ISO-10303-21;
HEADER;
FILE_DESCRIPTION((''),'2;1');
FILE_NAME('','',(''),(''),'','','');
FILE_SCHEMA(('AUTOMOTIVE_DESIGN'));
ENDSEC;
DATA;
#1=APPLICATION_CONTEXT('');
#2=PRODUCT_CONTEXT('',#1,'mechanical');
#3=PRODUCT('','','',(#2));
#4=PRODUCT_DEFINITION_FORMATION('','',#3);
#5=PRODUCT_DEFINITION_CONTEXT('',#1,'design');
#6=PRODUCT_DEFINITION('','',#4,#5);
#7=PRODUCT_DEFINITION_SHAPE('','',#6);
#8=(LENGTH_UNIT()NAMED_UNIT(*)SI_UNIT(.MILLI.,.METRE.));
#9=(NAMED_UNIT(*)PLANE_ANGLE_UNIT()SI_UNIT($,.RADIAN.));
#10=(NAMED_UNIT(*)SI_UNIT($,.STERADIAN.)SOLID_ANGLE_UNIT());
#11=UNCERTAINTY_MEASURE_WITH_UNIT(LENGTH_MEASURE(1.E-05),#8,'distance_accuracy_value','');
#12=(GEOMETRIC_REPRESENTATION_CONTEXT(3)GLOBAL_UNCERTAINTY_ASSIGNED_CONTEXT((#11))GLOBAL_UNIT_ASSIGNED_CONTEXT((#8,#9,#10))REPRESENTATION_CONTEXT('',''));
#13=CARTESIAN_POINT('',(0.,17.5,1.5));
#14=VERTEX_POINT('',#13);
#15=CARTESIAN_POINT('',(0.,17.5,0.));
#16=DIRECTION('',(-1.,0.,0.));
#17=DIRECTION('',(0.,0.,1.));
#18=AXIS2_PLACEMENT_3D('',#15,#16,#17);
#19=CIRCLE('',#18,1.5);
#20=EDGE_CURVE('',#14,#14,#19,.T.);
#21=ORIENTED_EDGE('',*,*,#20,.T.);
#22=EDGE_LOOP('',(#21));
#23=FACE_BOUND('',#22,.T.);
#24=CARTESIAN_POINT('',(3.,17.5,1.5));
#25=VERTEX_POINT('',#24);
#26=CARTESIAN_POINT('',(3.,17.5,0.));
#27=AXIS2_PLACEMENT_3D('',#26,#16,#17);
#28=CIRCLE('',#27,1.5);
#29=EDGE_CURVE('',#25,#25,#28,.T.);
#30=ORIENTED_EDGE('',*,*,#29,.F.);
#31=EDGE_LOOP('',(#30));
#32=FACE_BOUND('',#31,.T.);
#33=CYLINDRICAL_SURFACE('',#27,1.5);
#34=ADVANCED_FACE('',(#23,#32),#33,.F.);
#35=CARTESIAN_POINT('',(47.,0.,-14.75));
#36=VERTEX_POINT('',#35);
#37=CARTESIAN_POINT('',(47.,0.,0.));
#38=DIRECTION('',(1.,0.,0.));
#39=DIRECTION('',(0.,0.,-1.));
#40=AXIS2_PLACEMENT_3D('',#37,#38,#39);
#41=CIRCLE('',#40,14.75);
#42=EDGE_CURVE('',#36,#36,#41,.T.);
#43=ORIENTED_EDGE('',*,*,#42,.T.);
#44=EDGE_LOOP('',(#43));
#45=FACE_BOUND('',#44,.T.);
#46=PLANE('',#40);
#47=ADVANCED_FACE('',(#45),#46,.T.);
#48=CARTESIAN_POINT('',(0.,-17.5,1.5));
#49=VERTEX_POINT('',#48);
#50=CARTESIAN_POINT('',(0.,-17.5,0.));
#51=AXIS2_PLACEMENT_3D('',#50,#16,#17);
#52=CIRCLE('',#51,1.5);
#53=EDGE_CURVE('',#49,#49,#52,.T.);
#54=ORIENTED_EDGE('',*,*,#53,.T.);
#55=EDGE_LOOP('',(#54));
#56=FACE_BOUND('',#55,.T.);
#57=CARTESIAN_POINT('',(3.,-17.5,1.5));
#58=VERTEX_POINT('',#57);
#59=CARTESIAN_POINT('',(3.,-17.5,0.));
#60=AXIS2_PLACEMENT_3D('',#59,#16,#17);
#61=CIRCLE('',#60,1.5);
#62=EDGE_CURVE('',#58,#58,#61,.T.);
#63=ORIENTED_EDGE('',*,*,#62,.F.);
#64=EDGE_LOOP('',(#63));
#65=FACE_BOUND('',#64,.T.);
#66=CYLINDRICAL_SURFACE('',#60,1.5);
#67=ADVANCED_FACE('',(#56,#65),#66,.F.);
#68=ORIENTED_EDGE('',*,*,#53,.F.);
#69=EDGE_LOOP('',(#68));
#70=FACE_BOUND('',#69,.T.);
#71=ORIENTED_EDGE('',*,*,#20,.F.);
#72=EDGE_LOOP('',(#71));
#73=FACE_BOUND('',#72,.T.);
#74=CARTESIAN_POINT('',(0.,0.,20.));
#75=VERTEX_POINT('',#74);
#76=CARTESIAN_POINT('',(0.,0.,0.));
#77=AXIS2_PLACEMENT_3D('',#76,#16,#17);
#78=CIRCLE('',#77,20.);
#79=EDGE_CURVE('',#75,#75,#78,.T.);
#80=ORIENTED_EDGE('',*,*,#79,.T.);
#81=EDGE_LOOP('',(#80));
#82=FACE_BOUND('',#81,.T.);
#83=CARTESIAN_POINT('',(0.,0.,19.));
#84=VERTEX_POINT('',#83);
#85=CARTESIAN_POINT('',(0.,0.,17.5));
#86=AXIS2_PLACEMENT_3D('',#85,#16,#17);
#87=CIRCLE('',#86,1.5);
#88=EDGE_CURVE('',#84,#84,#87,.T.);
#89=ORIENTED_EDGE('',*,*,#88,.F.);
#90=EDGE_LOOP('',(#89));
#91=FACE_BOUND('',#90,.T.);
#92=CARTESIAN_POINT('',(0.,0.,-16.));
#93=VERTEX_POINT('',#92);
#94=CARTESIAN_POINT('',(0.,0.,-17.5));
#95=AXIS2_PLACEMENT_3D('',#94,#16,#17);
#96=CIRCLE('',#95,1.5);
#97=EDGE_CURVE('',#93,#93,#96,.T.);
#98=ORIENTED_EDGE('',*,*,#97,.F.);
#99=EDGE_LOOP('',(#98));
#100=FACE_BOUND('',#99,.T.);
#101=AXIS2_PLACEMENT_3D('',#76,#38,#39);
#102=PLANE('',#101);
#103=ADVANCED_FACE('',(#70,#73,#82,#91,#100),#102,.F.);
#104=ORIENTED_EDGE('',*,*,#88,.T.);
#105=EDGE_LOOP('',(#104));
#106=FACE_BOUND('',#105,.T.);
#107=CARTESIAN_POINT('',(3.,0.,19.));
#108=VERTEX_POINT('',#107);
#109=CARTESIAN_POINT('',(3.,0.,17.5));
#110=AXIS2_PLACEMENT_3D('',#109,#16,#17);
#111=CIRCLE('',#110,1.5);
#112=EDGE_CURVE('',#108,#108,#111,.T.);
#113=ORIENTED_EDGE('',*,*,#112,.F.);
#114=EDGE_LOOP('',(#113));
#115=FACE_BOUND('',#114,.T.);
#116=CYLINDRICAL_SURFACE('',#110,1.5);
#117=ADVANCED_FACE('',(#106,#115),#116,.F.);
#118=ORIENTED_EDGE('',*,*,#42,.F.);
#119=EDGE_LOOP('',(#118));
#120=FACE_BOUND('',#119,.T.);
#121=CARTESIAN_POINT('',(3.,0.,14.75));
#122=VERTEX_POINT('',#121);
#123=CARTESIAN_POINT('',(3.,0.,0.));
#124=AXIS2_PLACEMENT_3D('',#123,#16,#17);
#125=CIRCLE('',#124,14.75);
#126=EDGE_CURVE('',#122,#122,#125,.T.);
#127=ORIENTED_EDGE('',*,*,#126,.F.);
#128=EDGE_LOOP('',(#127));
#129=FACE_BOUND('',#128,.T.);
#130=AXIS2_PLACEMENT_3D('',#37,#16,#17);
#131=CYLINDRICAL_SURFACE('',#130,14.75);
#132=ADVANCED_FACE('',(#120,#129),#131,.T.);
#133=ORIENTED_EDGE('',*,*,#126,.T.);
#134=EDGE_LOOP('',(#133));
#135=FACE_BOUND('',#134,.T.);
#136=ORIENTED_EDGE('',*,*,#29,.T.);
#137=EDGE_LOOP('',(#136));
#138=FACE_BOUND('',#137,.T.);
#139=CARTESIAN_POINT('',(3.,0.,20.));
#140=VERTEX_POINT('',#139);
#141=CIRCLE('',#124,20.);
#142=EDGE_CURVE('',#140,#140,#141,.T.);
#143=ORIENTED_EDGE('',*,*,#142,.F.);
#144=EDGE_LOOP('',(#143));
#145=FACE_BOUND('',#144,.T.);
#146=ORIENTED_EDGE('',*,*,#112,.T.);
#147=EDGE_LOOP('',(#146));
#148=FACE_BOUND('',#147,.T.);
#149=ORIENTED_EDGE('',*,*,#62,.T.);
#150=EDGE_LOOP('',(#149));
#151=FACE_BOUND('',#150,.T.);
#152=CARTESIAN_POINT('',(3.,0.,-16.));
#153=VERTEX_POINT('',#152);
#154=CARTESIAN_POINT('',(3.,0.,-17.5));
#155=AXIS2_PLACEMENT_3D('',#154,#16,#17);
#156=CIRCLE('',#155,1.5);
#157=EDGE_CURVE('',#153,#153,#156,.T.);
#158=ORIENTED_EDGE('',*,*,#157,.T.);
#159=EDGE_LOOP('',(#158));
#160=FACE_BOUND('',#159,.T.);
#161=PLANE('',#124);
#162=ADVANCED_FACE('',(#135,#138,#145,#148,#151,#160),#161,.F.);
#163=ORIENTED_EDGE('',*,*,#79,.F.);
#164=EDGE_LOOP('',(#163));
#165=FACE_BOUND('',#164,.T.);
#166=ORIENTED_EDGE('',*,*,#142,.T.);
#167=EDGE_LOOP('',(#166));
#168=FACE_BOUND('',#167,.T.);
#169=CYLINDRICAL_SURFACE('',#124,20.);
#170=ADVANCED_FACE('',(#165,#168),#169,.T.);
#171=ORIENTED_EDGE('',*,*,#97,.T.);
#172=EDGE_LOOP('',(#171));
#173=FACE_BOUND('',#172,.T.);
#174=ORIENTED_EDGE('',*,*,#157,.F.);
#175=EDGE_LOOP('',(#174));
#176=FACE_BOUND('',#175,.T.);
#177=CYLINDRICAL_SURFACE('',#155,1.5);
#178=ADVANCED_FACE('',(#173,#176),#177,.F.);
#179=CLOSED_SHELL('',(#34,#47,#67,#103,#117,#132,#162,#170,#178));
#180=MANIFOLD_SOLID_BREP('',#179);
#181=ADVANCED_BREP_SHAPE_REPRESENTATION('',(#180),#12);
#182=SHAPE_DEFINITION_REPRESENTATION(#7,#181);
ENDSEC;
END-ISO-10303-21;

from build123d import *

# Parameters (mm, degrees)
SKETCH1_R           = 14.75
BOSS_EXTRUDE1_DEPTH = 47
SKETCH2_R           = 20
SKETCH2_R_2         = 1.5
BOSS_EXTRUDE2_DEPTH = 3


with BuildPart() as part:
    # Sketch1 → Boss-Extrude1 (new body)
    with BuildSketch(Plane(origin=(0, 0, 0), x_dir=(0, 0, -1), z_dir=(1, 0, 0))):
        Circle(SKETCH1_R)
    extrude(amount=BOSS_EXTRUDE1_DEPTH)

    # Sketch2 → Boss-Extrude2 (add)
    with BuildSketch(Plane.ZY):
        Circle(SKETCH2_R)
        with Locations((0, 17.5)):
            Circle(SKETCH2_R_2, mode=Mode.SUBTRACT)
        with Locations((17.5, 0)):
            Circle(SKETCH2_R_2, mode=Mode.SUBTRACT)
        with Locations((0, -17.5)):
            Circle(SKETCH2_R_2, mode=Mode.SUBTRACT)
        with Locations((-17.5, 0)):
            Circle(SKETCH2_R_2, mode=Mode.SUBTRACT)
    extrude(amount=-BOSS_EXTRUDE2_DEPTH)


solid = part.part
